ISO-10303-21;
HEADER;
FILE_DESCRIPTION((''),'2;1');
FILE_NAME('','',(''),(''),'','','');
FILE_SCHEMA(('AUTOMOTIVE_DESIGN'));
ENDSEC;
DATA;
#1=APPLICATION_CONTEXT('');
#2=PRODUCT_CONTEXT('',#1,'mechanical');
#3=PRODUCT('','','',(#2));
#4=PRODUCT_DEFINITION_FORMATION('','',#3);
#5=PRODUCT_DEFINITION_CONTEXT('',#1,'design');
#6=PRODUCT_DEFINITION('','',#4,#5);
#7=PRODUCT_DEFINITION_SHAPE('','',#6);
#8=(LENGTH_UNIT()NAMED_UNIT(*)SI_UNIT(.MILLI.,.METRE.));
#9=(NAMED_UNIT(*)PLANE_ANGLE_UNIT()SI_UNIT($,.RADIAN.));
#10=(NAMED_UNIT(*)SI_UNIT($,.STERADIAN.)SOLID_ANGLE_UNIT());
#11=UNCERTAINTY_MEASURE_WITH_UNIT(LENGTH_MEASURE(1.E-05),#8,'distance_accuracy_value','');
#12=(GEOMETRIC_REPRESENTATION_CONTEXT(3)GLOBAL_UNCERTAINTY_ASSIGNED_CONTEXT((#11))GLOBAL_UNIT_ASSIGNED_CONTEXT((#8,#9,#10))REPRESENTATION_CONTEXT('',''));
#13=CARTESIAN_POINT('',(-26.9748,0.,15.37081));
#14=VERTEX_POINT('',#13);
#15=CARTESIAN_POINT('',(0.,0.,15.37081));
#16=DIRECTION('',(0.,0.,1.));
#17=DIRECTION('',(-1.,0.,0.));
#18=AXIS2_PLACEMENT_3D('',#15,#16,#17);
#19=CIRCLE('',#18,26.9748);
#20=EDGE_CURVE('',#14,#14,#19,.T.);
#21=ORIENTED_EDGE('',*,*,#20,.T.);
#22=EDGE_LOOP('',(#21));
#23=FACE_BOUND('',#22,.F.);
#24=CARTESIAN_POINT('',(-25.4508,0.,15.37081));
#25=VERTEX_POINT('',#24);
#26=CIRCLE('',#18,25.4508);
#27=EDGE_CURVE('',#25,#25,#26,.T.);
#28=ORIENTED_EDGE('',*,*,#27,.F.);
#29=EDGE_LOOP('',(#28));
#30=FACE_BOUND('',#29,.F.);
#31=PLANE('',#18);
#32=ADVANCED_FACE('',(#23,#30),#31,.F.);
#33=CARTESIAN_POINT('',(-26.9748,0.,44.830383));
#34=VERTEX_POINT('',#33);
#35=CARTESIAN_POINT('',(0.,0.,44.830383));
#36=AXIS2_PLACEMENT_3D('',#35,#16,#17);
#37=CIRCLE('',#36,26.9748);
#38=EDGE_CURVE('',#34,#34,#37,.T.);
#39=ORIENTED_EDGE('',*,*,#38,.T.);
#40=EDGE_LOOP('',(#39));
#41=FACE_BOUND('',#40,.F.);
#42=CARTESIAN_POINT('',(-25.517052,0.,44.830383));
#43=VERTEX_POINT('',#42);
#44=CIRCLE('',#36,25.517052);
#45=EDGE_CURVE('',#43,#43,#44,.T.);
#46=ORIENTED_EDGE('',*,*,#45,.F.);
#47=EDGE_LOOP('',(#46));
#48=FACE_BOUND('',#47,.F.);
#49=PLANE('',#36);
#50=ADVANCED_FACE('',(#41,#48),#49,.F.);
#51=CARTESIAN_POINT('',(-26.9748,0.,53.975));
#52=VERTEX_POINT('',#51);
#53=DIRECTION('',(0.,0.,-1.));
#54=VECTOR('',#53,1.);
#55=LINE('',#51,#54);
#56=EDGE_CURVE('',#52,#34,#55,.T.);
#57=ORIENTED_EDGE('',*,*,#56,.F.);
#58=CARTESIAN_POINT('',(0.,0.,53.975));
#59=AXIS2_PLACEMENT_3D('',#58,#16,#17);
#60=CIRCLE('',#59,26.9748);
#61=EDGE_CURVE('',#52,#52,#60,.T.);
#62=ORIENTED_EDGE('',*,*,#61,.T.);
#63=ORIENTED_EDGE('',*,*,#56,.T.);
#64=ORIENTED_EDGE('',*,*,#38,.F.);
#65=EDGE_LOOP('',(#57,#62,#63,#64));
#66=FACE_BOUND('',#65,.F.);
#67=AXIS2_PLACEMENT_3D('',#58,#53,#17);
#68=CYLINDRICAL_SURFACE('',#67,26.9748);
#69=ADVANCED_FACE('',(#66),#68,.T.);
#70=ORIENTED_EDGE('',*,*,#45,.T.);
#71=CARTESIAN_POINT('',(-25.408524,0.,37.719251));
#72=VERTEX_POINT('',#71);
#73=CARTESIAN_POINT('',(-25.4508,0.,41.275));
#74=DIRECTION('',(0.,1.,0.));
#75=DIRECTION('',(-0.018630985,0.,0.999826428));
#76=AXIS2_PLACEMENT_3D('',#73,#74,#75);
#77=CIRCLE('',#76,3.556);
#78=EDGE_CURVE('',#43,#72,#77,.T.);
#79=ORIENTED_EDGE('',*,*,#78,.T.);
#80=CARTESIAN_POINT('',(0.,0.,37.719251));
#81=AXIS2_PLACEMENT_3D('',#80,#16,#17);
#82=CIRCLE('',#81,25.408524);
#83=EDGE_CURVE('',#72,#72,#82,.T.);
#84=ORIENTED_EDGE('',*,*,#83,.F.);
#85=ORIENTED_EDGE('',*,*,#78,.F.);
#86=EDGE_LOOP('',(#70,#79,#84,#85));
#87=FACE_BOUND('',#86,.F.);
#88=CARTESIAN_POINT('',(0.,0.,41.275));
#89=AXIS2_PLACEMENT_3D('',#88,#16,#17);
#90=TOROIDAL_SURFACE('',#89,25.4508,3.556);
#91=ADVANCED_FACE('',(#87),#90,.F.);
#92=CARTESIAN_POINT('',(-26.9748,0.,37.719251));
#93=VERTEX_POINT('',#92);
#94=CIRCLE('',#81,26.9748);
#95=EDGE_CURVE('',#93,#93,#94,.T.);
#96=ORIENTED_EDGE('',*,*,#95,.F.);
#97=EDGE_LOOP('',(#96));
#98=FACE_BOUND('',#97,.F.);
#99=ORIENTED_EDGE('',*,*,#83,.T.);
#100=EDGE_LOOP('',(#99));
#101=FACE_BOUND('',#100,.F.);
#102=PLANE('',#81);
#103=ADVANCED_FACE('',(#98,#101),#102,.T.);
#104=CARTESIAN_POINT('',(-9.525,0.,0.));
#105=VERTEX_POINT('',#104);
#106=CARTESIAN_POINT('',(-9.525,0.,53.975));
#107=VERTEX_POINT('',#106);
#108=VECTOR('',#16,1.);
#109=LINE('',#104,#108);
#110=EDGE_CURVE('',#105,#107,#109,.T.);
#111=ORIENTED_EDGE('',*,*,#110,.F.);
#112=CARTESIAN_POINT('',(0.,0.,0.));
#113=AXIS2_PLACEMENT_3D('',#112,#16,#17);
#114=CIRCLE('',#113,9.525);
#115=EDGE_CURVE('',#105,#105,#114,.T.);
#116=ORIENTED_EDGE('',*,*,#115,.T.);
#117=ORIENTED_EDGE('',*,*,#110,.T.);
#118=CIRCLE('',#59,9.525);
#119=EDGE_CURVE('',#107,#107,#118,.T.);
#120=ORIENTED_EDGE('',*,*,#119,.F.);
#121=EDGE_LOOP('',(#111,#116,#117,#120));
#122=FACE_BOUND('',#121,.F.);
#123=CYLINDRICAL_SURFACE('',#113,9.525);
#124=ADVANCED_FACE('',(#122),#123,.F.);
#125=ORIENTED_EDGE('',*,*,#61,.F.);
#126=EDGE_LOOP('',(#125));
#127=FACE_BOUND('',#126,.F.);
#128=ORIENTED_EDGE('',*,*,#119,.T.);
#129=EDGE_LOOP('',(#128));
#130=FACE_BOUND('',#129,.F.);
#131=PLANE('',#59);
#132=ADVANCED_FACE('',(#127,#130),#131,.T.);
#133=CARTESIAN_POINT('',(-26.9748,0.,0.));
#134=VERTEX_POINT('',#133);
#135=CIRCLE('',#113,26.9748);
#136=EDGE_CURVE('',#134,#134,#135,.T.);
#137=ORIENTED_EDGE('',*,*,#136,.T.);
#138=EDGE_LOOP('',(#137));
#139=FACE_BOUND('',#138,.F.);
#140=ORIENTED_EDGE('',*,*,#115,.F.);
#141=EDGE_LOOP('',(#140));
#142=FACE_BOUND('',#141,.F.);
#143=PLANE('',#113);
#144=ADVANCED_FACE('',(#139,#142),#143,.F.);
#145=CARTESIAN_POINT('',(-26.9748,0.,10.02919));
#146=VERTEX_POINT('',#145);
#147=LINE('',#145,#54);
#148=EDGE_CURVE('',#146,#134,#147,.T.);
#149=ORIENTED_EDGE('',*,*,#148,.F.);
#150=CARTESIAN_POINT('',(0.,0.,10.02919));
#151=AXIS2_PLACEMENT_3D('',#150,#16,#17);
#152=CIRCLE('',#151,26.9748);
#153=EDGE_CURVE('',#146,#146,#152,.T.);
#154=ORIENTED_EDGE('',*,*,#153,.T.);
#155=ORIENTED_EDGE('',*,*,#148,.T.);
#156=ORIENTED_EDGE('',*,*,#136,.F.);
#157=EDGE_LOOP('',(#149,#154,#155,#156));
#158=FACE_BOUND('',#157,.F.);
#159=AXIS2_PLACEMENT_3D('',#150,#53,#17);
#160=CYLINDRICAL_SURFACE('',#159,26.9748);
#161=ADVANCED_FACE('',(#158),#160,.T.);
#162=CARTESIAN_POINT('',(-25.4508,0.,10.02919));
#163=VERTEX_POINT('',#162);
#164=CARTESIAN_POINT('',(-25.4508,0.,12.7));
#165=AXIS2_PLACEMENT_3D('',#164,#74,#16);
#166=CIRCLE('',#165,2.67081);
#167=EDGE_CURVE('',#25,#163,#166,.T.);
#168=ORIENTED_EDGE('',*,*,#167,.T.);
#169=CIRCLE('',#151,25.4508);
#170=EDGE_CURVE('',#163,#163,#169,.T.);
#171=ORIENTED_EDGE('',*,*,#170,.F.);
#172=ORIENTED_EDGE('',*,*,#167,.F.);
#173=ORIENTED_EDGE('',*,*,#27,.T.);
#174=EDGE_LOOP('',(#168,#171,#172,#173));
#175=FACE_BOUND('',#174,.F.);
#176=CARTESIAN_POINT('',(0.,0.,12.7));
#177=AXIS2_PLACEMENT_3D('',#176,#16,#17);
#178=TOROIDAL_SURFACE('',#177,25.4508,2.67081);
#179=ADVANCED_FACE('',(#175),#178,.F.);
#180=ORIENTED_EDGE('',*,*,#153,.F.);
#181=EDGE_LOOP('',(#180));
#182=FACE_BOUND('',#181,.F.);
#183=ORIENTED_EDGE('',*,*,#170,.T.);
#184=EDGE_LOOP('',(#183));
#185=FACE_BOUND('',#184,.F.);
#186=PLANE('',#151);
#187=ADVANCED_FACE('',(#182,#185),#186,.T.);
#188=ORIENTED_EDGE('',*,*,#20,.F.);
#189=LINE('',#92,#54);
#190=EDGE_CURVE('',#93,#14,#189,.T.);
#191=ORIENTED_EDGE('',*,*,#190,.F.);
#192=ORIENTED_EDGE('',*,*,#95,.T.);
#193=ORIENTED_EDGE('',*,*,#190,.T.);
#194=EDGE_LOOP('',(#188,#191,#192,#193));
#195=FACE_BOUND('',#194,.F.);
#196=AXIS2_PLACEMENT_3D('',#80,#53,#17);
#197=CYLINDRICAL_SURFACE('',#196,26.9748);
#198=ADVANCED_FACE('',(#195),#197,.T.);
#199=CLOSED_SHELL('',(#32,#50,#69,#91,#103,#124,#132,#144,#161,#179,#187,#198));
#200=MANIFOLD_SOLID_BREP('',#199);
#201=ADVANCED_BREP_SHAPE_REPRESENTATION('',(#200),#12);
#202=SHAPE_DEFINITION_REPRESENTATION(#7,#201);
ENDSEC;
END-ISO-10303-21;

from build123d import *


with BuildPart() as f1:
    # F0 (on Front) → F1 (revolve)
    with BuildSketch(Plane.XZ):
        with BuildLine():
            Line((-26.9748, 0), (-9.525, 0))
            Line((-9.525, 0), (-9.525, 53.975))
            Line((-9.525, 53.975), (-26.9748, 53.975))
            Line((-26.9748, 53.975), (-26.9748, 44.830383))
            Line((-26.9748, 44.830383), (-25.517052, 44.830383))
            ThreePointArc((-25.517052, 44.830383), (-21.895214, 41.329264), (-25.408524, 37.719251))
            ThreePointArc((-25.408524, 37.719251), (-25.4508, 37.719), (-25.493076, 37.719251))
            Line((-25.493076, 37.719251), (-26.9748, 37.719251))
            Line((-26.9748, 37.719251), (-26.9748, 15.37081))
            Line((-26.9748, 15.37081), (-25.4508, 15.37081))
            ThreePointArc((-25.4508, 15.37081), (-22.77999, 12.7), (-25.4508, 10.02919))
            Line((-25.4508, 10.02919), (-26.9748, 10.02919))
            Line((-26.9748, 10.02919), (-26.9748, 0))
        make_face()
        with BuildLine():
            ThreePointArc((-25.493076, 37.719251), (-25.4508, 37.719), (-25.408524, 37.719251))
            Line((-25.408524, 37.719251), (-25.493076, 37.719251))
        make_face()
    revolve(axis=Axis((0, 0, 17.05089), (0, 0, 1)))


solid = f1.part
